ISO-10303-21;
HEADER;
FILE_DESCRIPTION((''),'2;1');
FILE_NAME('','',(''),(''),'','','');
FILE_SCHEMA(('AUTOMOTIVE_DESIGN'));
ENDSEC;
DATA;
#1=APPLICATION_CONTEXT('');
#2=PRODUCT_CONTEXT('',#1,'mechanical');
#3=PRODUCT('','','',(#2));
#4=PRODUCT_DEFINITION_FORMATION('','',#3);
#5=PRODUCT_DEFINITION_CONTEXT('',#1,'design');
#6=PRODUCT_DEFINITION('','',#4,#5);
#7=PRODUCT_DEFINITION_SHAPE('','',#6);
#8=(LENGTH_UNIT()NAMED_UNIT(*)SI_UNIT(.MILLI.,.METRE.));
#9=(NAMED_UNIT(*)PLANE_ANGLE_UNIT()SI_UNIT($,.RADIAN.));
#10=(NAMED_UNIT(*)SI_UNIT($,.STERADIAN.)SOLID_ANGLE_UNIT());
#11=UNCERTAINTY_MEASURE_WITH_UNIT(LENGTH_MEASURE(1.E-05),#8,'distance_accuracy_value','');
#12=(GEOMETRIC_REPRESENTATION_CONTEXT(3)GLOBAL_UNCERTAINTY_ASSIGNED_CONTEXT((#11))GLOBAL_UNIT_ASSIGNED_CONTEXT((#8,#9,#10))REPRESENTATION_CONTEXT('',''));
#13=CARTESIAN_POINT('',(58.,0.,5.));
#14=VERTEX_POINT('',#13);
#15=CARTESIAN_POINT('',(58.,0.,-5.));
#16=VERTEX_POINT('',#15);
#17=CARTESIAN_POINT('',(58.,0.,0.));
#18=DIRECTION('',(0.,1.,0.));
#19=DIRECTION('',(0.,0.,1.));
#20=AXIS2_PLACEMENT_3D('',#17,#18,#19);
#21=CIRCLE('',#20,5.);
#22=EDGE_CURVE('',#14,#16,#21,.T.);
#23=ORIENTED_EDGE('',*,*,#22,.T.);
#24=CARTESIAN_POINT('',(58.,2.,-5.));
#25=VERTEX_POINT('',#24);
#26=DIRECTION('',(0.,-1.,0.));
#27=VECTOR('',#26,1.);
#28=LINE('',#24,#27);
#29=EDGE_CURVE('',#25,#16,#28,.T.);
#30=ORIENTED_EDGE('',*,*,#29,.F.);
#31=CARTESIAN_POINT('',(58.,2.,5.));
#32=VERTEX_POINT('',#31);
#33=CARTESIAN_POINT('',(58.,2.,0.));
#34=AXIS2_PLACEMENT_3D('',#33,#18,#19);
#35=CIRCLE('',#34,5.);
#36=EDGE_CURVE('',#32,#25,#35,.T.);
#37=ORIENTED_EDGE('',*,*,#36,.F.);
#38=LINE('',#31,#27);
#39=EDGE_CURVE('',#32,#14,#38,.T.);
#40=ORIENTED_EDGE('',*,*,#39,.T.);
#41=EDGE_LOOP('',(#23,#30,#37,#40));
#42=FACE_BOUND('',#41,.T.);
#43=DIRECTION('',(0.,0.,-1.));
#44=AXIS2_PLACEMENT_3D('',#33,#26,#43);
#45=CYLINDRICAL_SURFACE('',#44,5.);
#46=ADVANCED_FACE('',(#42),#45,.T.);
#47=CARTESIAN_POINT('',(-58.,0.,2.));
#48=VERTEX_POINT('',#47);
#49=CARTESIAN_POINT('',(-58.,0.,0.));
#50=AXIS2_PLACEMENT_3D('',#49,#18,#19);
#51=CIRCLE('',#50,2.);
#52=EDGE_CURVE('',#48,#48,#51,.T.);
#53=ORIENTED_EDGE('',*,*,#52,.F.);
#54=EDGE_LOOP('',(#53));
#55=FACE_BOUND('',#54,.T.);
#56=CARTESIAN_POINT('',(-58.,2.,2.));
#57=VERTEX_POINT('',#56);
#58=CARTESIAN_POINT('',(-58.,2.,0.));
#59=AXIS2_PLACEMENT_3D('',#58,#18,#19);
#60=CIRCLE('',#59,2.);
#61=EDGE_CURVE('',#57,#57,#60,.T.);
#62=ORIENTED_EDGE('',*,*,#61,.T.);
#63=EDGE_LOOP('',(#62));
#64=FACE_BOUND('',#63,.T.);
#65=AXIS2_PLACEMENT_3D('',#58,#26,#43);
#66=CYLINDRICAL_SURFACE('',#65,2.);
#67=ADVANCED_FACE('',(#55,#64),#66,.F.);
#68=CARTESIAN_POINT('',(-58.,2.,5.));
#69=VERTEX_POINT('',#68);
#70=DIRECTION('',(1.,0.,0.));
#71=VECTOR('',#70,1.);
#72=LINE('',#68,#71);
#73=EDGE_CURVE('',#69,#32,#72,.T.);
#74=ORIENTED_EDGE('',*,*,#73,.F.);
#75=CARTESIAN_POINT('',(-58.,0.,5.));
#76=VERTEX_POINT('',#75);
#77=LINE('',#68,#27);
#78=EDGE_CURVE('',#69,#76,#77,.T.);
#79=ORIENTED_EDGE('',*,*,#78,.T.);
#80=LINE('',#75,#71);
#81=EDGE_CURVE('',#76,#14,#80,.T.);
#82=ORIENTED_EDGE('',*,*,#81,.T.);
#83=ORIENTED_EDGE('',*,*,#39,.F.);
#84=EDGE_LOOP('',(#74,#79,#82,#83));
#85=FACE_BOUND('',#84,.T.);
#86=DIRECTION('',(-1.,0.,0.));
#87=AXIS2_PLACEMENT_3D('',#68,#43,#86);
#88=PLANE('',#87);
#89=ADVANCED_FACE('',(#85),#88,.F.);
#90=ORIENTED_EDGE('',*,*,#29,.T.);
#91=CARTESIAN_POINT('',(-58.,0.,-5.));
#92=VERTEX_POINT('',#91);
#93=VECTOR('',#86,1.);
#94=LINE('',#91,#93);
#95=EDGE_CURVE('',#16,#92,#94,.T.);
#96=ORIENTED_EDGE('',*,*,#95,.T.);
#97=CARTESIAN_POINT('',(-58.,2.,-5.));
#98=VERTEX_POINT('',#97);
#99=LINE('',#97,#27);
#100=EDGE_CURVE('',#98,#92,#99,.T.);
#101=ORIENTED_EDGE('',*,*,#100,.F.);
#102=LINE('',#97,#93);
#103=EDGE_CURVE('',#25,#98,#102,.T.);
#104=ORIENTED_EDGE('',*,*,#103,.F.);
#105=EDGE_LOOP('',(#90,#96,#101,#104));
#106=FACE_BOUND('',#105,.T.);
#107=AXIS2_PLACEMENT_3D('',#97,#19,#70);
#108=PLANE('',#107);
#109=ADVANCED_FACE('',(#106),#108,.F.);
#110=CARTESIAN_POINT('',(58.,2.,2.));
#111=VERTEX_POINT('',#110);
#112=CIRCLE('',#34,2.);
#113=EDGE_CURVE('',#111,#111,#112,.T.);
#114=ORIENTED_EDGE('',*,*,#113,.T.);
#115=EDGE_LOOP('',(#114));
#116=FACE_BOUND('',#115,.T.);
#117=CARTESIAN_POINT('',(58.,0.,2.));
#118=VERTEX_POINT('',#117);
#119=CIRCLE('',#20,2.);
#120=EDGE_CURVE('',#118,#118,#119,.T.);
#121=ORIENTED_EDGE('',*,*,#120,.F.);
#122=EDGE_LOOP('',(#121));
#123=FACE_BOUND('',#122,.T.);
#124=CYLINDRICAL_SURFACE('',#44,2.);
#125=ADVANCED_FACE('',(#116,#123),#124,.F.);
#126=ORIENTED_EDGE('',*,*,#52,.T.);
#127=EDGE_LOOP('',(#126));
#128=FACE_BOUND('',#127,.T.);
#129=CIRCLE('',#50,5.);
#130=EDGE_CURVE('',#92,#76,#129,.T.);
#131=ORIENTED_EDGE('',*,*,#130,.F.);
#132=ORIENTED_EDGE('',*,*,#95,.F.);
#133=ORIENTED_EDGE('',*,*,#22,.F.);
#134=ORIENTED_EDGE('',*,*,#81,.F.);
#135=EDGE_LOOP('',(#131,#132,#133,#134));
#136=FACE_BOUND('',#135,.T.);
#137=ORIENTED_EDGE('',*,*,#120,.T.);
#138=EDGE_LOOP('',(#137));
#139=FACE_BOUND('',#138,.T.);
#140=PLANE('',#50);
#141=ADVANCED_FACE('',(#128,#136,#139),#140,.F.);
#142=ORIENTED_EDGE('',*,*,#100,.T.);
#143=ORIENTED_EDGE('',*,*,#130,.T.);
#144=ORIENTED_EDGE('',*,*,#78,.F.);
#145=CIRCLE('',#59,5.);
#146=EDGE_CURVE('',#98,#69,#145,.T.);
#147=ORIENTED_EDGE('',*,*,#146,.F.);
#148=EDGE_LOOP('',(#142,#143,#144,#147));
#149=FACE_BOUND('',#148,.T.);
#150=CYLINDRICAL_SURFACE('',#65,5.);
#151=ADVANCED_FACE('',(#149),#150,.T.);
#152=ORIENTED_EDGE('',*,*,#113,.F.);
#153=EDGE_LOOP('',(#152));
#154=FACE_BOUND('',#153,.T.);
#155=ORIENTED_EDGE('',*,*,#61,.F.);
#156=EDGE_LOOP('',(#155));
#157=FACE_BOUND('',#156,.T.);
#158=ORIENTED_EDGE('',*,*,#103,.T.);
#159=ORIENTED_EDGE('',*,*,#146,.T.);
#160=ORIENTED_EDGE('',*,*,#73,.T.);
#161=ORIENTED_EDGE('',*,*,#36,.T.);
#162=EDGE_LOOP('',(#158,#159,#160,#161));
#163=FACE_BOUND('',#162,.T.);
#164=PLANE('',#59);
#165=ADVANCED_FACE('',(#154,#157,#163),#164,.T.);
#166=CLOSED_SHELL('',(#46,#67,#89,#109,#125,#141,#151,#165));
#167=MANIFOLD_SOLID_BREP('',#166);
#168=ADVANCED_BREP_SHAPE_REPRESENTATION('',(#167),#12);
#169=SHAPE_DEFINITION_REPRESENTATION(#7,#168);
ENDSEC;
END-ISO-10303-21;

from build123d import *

# Parameters (mm, degrees)
SKETCH1_R           = 2
BOSS_EXTRUDE1_DEPTH = 2


with BuildPart() as part:
    # Sketch1 → Boss-Extrude1 (new body)
    with BuildSketch(Plane(origin=(0, 0, 0), x_dir=(1, 0, 0), z_dir=(0, 1, 0))):
        with BuildLine():
            Line((-58, 5), (58, 5))
            ThreePointArc((58, 5), (63, 0), (58, -5))
            Line((58, -5), (-58, -5))
            ThreePointArc((-58, -5), (-63, 0), (-58, 5))
        make_face()
        with Locations((-58, 0)):
            Circle(SKETCH1_R, mode=Mode.SUBTRACT)
        with Locations((58, 0)):
            Circle(SKETCH1_R, mode=Mode.SUBTRACT)
    extrude(amount=BOSS_EXTRUDE1_DEPTH)


solid = part.part
